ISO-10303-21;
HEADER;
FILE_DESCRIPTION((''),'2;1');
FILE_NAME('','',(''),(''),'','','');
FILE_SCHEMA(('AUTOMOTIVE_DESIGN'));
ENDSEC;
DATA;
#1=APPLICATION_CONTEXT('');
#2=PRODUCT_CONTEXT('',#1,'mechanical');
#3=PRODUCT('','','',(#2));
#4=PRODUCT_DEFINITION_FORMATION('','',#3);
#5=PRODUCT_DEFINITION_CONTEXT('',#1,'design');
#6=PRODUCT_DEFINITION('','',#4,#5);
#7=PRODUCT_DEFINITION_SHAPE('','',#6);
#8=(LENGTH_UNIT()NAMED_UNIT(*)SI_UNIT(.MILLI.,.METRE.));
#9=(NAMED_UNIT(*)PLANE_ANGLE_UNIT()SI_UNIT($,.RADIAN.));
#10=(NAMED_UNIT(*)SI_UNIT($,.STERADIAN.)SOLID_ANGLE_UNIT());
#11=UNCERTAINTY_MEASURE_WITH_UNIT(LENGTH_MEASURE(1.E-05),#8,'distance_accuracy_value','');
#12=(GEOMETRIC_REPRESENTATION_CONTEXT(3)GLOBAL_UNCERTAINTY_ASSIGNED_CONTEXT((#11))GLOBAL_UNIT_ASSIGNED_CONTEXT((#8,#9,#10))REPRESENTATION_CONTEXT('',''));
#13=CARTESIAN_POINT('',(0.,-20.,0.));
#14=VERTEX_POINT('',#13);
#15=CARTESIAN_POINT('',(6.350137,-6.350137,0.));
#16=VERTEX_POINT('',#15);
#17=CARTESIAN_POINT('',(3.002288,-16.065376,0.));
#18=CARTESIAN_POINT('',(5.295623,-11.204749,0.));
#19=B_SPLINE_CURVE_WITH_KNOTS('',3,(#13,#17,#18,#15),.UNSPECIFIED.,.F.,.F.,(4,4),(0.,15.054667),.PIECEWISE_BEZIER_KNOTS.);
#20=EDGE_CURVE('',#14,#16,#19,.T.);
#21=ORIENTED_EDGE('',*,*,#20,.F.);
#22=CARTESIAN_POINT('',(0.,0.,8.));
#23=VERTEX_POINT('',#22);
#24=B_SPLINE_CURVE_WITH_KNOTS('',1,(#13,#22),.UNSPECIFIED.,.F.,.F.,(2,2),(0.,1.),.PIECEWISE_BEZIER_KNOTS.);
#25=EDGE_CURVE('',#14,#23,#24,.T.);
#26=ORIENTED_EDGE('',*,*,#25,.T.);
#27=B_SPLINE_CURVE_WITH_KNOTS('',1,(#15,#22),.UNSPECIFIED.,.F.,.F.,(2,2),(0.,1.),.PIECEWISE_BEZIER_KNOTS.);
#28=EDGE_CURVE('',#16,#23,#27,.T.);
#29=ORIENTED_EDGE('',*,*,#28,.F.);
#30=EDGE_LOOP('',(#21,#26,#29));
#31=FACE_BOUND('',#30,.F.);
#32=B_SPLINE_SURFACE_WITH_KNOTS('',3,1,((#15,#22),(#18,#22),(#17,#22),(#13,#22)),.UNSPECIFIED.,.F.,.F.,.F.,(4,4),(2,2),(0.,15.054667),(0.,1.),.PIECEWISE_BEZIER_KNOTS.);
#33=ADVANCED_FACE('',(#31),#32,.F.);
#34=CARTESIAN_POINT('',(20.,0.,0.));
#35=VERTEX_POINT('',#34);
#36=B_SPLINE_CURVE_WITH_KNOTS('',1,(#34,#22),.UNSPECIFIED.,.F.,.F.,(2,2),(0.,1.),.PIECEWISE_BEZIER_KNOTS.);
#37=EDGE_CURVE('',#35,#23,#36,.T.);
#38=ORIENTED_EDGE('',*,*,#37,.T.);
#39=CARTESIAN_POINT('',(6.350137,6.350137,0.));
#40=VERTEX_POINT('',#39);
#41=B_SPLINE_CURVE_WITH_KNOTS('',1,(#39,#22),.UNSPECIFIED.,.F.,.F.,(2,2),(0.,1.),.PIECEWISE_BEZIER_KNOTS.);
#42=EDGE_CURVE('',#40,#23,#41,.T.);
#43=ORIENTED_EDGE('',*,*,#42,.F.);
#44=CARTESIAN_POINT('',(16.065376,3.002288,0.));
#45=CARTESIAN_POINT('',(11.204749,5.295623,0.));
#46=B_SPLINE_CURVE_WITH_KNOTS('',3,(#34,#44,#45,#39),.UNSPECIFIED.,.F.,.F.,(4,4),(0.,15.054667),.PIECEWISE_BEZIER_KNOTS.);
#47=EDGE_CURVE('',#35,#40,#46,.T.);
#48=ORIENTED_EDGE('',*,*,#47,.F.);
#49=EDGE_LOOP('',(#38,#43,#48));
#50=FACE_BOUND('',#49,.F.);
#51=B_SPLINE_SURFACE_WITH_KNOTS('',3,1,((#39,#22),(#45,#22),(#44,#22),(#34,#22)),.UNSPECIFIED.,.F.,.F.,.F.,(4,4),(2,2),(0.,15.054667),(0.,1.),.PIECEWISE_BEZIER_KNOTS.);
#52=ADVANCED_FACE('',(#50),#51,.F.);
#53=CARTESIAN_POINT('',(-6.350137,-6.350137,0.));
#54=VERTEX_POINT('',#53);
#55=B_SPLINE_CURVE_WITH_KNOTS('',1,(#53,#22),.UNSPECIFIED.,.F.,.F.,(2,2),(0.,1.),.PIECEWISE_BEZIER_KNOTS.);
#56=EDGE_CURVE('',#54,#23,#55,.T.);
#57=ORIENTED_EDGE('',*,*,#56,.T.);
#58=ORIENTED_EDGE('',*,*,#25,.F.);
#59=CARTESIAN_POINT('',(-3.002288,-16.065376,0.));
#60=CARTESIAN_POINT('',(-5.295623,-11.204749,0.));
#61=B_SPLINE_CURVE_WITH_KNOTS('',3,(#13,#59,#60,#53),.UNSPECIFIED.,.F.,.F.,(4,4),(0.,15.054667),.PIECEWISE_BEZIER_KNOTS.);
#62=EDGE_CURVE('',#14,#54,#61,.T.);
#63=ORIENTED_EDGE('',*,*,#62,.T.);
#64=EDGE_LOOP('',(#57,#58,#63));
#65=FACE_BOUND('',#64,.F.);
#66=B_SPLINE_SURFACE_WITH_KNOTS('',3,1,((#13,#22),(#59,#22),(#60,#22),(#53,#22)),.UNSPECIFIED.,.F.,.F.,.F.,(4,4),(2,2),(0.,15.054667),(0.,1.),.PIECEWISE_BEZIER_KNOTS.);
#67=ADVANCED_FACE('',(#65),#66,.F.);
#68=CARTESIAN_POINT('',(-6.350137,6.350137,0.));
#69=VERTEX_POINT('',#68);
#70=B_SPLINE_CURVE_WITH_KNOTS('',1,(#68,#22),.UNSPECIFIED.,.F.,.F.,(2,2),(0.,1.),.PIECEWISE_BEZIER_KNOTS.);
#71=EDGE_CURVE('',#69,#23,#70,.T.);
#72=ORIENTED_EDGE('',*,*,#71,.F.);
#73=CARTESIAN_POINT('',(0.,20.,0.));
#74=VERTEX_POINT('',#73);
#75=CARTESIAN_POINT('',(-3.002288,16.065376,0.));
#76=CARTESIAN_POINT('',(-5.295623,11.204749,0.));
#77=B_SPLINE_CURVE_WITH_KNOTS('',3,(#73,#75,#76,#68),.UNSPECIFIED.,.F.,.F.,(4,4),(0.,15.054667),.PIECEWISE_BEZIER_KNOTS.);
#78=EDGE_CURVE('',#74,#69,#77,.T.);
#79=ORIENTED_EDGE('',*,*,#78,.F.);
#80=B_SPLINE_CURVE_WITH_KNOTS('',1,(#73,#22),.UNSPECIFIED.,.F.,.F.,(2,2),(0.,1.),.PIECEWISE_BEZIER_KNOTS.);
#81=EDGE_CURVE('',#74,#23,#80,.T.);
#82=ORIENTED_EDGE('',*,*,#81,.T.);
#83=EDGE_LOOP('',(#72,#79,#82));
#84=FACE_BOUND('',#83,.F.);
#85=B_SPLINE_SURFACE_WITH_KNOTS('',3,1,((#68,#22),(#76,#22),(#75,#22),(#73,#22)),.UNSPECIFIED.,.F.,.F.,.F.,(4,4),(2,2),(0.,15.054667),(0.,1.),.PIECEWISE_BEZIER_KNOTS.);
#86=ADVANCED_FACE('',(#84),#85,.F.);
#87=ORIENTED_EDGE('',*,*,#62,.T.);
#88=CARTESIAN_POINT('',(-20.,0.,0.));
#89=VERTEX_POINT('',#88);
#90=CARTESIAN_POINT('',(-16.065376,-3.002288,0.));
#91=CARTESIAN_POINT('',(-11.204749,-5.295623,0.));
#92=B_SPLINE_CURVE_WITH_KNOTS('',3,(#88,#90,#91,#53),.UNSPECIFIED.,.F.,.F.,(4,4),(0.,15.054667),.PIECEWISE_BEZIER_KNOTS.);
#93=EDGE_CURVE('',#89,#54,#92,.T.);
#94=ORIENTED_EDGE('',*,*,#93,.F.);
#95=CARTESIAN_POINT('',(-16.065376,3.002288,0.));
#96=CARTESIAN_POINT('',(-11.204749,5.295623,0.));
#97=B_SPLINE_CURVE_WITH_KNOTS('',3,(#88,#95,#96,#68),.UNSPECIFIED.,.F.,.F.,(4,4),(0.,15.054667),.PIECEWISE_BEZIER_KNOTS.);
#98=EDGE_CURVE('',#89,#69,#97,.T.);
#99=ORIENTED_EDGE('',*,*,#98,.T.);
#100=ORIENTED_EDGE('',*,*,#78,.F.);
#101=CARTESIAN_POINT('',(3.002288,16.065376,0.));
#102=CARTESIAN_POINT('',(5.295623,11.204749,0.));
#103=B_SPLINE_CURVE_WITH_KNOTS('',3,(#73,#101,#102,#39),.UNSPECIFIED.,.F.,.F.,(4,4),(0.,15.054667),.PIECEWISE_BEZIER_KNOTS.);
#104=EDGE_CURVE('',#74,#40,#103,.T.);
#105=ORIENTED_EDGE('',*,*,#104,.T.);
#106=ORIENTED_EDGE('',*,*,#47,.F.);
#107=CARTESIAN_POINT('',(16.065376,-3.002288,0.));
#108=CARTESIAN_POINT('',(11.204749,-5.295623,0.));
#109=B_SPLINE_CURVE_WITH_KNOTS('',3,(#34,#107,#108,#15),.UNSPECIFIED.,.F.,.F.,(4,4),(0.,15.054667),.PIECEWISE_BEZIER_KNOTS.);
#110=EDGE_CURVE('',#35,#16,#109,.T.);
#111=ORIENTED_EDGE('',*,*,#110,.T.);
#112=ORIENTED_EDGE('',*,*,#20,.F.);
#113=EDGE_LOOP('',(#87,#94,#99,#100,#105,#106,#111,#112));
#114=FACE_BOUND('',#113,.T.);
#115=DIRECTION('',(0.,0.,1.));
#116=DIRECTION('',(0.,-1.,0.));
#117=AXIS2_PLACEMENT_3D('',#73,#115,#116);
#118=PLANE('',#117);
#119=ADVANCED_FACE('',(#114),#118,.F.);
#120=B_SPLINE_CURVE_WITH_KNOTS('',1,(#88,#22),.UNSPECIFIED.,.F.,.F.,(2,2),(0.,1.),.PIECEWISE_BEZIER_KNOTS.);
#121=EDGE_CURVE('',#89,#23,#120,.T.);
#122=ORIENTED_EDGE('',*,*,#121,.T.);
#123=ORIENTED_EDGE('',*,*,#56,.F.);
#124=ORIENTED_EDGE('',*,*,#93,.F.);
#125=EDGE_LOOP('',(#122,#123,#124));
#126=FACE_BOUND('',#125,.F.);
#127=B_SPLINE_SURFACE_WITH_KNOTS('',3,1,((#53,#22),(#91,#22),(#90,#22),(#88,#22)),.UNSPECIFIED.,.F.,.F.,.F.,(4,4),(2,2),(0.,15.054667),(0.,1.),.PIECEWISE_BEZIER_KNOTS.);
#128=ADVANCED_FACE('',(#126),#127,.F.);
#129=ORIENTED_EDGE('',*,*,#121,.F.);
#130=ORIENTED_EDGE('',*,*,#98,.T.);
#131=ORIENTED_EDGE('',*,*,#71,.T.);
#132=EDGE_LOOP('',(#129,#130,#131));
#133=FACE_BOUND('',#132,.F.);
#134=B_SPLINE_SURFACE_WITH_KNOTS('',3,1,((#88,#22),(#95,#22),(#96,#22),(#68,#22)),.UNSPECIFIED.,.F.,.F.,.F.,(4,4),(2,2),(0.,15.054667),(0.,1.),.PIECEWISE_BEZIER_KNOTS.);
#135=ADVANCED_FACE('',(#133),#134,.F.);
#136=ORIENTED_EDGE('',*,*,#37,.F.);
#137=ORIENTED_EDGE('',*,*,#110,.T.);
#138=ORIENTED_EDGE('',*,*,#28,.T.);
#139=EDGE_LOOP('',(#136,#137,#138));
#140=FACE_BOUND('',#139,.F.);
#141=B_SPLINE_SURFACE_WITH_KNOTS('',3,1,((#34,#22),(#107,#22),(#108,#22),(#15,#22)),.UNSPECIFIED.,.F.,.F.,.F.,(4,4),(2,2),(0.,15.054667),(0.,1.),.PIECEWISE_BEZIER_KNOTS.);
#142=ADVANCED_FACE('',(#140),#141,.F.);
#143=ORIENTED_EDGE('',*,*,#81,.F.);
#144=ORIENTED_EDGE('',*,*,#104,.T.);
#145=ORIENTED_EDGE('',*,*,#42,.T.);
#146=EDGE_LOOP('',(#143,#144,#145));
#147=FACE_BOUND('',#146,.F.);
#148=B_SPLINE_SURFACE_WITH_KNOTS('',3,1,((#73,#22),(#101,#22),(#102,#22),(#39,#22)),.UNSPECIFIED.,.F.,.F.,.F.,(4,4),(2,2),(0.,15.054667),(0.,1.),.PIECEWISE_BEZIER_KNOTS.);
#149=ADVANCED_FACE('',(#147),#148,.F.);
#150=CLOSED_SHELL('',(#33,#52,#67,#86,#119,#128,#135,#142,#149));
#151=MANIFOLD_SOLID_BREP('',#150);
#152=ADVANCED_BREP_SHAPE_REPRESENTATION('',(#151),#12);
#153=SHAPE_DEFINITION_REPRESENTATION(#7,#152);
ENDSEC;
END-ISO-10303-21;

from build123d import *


with BuildPart() as f4:
    # F1 (on Top) → F4 section 0
    with BuildSketch(Plane.XY, mode=Mode.PRIVATE) as f4_s0:
        with BuildLine():
            add(Edge.make_bspline(
                [(0, 20), (3.002288, 16.065376), (5.295623, 11.204749), (6.350137, 6.350137)],
                knots=[0, 0, 0, 0, 15.054667, 15.054667, 15.054667, 15.054667], degree=3))
            add(Edge.make_bspline(
                [(0, 20), (-3.002288, 16.065376), (-5.295623, 11.204749), (-6.350137, 6.350137)],
                knots=[0, 0, 0, 0, 15.054667, 15.054667, 15.054667, 15.054667], degree=3))
            add(Edge.make_bspline(
                [(-20, 0), (-16.065376, 3.002288), (-11.204749, 5.295623), (-6.350137, 6.350137)],
                knots=[0, 0, 0, 0, 15.054667, 15.054667, 15.054667, 15.054667], degree=3))
            add(Edge.make_bspline(
                [(-20, 0), (-16.065376, -3.002288), (-11.204749, -5.295623), (-6.350137, -6.350137)],
                knots=[0, 0, 0, 0, 15.054667, 15.054667, 15.054667, 15.054667], degree=3))
            add(Edge.make_bspline(
                [(0, -20), (-3.002288, -16.065376), (-5.295623, -11.204749), (-6.350137, -6.350137)],
                knots=[0, 0, 0, 0, 15.054667, 15.054667, 15.054667, 15.054667], degree=3))
            add(Edge.make_bspline(
                [(0, -20), (3.002288, -16.065376), (5.295623, -11.204749), (6.350137, -6.350137)],
                knots=[0, 0, 0, 0, 15.054667, 15.054667, 15.054667, 15.054667], degree=3))
            add(Edge.make_bspline(
                [(20, 0), (16.065376, -3.002288), (11.204749, -5.295623), (6.350137, -6.350137)],
                knots=[0, 0, 0, 0, 15.054667, 15.054667, 15.054667, 15.054667], degree=3))
            add(Edge.make_bspline(
                [(20, 0), (16.065376, 3.002288), (11.204749, 5.295623), (6.350137, 6.350137)],
                knots=[0, 0, 0, 0, 15.054667, 15.054667, 15.054667, 15.054667], degree=3))
        make_face()
    loft([f4_s0.sketch, Vertex(0, 0, 8)])


solid = f4.part
